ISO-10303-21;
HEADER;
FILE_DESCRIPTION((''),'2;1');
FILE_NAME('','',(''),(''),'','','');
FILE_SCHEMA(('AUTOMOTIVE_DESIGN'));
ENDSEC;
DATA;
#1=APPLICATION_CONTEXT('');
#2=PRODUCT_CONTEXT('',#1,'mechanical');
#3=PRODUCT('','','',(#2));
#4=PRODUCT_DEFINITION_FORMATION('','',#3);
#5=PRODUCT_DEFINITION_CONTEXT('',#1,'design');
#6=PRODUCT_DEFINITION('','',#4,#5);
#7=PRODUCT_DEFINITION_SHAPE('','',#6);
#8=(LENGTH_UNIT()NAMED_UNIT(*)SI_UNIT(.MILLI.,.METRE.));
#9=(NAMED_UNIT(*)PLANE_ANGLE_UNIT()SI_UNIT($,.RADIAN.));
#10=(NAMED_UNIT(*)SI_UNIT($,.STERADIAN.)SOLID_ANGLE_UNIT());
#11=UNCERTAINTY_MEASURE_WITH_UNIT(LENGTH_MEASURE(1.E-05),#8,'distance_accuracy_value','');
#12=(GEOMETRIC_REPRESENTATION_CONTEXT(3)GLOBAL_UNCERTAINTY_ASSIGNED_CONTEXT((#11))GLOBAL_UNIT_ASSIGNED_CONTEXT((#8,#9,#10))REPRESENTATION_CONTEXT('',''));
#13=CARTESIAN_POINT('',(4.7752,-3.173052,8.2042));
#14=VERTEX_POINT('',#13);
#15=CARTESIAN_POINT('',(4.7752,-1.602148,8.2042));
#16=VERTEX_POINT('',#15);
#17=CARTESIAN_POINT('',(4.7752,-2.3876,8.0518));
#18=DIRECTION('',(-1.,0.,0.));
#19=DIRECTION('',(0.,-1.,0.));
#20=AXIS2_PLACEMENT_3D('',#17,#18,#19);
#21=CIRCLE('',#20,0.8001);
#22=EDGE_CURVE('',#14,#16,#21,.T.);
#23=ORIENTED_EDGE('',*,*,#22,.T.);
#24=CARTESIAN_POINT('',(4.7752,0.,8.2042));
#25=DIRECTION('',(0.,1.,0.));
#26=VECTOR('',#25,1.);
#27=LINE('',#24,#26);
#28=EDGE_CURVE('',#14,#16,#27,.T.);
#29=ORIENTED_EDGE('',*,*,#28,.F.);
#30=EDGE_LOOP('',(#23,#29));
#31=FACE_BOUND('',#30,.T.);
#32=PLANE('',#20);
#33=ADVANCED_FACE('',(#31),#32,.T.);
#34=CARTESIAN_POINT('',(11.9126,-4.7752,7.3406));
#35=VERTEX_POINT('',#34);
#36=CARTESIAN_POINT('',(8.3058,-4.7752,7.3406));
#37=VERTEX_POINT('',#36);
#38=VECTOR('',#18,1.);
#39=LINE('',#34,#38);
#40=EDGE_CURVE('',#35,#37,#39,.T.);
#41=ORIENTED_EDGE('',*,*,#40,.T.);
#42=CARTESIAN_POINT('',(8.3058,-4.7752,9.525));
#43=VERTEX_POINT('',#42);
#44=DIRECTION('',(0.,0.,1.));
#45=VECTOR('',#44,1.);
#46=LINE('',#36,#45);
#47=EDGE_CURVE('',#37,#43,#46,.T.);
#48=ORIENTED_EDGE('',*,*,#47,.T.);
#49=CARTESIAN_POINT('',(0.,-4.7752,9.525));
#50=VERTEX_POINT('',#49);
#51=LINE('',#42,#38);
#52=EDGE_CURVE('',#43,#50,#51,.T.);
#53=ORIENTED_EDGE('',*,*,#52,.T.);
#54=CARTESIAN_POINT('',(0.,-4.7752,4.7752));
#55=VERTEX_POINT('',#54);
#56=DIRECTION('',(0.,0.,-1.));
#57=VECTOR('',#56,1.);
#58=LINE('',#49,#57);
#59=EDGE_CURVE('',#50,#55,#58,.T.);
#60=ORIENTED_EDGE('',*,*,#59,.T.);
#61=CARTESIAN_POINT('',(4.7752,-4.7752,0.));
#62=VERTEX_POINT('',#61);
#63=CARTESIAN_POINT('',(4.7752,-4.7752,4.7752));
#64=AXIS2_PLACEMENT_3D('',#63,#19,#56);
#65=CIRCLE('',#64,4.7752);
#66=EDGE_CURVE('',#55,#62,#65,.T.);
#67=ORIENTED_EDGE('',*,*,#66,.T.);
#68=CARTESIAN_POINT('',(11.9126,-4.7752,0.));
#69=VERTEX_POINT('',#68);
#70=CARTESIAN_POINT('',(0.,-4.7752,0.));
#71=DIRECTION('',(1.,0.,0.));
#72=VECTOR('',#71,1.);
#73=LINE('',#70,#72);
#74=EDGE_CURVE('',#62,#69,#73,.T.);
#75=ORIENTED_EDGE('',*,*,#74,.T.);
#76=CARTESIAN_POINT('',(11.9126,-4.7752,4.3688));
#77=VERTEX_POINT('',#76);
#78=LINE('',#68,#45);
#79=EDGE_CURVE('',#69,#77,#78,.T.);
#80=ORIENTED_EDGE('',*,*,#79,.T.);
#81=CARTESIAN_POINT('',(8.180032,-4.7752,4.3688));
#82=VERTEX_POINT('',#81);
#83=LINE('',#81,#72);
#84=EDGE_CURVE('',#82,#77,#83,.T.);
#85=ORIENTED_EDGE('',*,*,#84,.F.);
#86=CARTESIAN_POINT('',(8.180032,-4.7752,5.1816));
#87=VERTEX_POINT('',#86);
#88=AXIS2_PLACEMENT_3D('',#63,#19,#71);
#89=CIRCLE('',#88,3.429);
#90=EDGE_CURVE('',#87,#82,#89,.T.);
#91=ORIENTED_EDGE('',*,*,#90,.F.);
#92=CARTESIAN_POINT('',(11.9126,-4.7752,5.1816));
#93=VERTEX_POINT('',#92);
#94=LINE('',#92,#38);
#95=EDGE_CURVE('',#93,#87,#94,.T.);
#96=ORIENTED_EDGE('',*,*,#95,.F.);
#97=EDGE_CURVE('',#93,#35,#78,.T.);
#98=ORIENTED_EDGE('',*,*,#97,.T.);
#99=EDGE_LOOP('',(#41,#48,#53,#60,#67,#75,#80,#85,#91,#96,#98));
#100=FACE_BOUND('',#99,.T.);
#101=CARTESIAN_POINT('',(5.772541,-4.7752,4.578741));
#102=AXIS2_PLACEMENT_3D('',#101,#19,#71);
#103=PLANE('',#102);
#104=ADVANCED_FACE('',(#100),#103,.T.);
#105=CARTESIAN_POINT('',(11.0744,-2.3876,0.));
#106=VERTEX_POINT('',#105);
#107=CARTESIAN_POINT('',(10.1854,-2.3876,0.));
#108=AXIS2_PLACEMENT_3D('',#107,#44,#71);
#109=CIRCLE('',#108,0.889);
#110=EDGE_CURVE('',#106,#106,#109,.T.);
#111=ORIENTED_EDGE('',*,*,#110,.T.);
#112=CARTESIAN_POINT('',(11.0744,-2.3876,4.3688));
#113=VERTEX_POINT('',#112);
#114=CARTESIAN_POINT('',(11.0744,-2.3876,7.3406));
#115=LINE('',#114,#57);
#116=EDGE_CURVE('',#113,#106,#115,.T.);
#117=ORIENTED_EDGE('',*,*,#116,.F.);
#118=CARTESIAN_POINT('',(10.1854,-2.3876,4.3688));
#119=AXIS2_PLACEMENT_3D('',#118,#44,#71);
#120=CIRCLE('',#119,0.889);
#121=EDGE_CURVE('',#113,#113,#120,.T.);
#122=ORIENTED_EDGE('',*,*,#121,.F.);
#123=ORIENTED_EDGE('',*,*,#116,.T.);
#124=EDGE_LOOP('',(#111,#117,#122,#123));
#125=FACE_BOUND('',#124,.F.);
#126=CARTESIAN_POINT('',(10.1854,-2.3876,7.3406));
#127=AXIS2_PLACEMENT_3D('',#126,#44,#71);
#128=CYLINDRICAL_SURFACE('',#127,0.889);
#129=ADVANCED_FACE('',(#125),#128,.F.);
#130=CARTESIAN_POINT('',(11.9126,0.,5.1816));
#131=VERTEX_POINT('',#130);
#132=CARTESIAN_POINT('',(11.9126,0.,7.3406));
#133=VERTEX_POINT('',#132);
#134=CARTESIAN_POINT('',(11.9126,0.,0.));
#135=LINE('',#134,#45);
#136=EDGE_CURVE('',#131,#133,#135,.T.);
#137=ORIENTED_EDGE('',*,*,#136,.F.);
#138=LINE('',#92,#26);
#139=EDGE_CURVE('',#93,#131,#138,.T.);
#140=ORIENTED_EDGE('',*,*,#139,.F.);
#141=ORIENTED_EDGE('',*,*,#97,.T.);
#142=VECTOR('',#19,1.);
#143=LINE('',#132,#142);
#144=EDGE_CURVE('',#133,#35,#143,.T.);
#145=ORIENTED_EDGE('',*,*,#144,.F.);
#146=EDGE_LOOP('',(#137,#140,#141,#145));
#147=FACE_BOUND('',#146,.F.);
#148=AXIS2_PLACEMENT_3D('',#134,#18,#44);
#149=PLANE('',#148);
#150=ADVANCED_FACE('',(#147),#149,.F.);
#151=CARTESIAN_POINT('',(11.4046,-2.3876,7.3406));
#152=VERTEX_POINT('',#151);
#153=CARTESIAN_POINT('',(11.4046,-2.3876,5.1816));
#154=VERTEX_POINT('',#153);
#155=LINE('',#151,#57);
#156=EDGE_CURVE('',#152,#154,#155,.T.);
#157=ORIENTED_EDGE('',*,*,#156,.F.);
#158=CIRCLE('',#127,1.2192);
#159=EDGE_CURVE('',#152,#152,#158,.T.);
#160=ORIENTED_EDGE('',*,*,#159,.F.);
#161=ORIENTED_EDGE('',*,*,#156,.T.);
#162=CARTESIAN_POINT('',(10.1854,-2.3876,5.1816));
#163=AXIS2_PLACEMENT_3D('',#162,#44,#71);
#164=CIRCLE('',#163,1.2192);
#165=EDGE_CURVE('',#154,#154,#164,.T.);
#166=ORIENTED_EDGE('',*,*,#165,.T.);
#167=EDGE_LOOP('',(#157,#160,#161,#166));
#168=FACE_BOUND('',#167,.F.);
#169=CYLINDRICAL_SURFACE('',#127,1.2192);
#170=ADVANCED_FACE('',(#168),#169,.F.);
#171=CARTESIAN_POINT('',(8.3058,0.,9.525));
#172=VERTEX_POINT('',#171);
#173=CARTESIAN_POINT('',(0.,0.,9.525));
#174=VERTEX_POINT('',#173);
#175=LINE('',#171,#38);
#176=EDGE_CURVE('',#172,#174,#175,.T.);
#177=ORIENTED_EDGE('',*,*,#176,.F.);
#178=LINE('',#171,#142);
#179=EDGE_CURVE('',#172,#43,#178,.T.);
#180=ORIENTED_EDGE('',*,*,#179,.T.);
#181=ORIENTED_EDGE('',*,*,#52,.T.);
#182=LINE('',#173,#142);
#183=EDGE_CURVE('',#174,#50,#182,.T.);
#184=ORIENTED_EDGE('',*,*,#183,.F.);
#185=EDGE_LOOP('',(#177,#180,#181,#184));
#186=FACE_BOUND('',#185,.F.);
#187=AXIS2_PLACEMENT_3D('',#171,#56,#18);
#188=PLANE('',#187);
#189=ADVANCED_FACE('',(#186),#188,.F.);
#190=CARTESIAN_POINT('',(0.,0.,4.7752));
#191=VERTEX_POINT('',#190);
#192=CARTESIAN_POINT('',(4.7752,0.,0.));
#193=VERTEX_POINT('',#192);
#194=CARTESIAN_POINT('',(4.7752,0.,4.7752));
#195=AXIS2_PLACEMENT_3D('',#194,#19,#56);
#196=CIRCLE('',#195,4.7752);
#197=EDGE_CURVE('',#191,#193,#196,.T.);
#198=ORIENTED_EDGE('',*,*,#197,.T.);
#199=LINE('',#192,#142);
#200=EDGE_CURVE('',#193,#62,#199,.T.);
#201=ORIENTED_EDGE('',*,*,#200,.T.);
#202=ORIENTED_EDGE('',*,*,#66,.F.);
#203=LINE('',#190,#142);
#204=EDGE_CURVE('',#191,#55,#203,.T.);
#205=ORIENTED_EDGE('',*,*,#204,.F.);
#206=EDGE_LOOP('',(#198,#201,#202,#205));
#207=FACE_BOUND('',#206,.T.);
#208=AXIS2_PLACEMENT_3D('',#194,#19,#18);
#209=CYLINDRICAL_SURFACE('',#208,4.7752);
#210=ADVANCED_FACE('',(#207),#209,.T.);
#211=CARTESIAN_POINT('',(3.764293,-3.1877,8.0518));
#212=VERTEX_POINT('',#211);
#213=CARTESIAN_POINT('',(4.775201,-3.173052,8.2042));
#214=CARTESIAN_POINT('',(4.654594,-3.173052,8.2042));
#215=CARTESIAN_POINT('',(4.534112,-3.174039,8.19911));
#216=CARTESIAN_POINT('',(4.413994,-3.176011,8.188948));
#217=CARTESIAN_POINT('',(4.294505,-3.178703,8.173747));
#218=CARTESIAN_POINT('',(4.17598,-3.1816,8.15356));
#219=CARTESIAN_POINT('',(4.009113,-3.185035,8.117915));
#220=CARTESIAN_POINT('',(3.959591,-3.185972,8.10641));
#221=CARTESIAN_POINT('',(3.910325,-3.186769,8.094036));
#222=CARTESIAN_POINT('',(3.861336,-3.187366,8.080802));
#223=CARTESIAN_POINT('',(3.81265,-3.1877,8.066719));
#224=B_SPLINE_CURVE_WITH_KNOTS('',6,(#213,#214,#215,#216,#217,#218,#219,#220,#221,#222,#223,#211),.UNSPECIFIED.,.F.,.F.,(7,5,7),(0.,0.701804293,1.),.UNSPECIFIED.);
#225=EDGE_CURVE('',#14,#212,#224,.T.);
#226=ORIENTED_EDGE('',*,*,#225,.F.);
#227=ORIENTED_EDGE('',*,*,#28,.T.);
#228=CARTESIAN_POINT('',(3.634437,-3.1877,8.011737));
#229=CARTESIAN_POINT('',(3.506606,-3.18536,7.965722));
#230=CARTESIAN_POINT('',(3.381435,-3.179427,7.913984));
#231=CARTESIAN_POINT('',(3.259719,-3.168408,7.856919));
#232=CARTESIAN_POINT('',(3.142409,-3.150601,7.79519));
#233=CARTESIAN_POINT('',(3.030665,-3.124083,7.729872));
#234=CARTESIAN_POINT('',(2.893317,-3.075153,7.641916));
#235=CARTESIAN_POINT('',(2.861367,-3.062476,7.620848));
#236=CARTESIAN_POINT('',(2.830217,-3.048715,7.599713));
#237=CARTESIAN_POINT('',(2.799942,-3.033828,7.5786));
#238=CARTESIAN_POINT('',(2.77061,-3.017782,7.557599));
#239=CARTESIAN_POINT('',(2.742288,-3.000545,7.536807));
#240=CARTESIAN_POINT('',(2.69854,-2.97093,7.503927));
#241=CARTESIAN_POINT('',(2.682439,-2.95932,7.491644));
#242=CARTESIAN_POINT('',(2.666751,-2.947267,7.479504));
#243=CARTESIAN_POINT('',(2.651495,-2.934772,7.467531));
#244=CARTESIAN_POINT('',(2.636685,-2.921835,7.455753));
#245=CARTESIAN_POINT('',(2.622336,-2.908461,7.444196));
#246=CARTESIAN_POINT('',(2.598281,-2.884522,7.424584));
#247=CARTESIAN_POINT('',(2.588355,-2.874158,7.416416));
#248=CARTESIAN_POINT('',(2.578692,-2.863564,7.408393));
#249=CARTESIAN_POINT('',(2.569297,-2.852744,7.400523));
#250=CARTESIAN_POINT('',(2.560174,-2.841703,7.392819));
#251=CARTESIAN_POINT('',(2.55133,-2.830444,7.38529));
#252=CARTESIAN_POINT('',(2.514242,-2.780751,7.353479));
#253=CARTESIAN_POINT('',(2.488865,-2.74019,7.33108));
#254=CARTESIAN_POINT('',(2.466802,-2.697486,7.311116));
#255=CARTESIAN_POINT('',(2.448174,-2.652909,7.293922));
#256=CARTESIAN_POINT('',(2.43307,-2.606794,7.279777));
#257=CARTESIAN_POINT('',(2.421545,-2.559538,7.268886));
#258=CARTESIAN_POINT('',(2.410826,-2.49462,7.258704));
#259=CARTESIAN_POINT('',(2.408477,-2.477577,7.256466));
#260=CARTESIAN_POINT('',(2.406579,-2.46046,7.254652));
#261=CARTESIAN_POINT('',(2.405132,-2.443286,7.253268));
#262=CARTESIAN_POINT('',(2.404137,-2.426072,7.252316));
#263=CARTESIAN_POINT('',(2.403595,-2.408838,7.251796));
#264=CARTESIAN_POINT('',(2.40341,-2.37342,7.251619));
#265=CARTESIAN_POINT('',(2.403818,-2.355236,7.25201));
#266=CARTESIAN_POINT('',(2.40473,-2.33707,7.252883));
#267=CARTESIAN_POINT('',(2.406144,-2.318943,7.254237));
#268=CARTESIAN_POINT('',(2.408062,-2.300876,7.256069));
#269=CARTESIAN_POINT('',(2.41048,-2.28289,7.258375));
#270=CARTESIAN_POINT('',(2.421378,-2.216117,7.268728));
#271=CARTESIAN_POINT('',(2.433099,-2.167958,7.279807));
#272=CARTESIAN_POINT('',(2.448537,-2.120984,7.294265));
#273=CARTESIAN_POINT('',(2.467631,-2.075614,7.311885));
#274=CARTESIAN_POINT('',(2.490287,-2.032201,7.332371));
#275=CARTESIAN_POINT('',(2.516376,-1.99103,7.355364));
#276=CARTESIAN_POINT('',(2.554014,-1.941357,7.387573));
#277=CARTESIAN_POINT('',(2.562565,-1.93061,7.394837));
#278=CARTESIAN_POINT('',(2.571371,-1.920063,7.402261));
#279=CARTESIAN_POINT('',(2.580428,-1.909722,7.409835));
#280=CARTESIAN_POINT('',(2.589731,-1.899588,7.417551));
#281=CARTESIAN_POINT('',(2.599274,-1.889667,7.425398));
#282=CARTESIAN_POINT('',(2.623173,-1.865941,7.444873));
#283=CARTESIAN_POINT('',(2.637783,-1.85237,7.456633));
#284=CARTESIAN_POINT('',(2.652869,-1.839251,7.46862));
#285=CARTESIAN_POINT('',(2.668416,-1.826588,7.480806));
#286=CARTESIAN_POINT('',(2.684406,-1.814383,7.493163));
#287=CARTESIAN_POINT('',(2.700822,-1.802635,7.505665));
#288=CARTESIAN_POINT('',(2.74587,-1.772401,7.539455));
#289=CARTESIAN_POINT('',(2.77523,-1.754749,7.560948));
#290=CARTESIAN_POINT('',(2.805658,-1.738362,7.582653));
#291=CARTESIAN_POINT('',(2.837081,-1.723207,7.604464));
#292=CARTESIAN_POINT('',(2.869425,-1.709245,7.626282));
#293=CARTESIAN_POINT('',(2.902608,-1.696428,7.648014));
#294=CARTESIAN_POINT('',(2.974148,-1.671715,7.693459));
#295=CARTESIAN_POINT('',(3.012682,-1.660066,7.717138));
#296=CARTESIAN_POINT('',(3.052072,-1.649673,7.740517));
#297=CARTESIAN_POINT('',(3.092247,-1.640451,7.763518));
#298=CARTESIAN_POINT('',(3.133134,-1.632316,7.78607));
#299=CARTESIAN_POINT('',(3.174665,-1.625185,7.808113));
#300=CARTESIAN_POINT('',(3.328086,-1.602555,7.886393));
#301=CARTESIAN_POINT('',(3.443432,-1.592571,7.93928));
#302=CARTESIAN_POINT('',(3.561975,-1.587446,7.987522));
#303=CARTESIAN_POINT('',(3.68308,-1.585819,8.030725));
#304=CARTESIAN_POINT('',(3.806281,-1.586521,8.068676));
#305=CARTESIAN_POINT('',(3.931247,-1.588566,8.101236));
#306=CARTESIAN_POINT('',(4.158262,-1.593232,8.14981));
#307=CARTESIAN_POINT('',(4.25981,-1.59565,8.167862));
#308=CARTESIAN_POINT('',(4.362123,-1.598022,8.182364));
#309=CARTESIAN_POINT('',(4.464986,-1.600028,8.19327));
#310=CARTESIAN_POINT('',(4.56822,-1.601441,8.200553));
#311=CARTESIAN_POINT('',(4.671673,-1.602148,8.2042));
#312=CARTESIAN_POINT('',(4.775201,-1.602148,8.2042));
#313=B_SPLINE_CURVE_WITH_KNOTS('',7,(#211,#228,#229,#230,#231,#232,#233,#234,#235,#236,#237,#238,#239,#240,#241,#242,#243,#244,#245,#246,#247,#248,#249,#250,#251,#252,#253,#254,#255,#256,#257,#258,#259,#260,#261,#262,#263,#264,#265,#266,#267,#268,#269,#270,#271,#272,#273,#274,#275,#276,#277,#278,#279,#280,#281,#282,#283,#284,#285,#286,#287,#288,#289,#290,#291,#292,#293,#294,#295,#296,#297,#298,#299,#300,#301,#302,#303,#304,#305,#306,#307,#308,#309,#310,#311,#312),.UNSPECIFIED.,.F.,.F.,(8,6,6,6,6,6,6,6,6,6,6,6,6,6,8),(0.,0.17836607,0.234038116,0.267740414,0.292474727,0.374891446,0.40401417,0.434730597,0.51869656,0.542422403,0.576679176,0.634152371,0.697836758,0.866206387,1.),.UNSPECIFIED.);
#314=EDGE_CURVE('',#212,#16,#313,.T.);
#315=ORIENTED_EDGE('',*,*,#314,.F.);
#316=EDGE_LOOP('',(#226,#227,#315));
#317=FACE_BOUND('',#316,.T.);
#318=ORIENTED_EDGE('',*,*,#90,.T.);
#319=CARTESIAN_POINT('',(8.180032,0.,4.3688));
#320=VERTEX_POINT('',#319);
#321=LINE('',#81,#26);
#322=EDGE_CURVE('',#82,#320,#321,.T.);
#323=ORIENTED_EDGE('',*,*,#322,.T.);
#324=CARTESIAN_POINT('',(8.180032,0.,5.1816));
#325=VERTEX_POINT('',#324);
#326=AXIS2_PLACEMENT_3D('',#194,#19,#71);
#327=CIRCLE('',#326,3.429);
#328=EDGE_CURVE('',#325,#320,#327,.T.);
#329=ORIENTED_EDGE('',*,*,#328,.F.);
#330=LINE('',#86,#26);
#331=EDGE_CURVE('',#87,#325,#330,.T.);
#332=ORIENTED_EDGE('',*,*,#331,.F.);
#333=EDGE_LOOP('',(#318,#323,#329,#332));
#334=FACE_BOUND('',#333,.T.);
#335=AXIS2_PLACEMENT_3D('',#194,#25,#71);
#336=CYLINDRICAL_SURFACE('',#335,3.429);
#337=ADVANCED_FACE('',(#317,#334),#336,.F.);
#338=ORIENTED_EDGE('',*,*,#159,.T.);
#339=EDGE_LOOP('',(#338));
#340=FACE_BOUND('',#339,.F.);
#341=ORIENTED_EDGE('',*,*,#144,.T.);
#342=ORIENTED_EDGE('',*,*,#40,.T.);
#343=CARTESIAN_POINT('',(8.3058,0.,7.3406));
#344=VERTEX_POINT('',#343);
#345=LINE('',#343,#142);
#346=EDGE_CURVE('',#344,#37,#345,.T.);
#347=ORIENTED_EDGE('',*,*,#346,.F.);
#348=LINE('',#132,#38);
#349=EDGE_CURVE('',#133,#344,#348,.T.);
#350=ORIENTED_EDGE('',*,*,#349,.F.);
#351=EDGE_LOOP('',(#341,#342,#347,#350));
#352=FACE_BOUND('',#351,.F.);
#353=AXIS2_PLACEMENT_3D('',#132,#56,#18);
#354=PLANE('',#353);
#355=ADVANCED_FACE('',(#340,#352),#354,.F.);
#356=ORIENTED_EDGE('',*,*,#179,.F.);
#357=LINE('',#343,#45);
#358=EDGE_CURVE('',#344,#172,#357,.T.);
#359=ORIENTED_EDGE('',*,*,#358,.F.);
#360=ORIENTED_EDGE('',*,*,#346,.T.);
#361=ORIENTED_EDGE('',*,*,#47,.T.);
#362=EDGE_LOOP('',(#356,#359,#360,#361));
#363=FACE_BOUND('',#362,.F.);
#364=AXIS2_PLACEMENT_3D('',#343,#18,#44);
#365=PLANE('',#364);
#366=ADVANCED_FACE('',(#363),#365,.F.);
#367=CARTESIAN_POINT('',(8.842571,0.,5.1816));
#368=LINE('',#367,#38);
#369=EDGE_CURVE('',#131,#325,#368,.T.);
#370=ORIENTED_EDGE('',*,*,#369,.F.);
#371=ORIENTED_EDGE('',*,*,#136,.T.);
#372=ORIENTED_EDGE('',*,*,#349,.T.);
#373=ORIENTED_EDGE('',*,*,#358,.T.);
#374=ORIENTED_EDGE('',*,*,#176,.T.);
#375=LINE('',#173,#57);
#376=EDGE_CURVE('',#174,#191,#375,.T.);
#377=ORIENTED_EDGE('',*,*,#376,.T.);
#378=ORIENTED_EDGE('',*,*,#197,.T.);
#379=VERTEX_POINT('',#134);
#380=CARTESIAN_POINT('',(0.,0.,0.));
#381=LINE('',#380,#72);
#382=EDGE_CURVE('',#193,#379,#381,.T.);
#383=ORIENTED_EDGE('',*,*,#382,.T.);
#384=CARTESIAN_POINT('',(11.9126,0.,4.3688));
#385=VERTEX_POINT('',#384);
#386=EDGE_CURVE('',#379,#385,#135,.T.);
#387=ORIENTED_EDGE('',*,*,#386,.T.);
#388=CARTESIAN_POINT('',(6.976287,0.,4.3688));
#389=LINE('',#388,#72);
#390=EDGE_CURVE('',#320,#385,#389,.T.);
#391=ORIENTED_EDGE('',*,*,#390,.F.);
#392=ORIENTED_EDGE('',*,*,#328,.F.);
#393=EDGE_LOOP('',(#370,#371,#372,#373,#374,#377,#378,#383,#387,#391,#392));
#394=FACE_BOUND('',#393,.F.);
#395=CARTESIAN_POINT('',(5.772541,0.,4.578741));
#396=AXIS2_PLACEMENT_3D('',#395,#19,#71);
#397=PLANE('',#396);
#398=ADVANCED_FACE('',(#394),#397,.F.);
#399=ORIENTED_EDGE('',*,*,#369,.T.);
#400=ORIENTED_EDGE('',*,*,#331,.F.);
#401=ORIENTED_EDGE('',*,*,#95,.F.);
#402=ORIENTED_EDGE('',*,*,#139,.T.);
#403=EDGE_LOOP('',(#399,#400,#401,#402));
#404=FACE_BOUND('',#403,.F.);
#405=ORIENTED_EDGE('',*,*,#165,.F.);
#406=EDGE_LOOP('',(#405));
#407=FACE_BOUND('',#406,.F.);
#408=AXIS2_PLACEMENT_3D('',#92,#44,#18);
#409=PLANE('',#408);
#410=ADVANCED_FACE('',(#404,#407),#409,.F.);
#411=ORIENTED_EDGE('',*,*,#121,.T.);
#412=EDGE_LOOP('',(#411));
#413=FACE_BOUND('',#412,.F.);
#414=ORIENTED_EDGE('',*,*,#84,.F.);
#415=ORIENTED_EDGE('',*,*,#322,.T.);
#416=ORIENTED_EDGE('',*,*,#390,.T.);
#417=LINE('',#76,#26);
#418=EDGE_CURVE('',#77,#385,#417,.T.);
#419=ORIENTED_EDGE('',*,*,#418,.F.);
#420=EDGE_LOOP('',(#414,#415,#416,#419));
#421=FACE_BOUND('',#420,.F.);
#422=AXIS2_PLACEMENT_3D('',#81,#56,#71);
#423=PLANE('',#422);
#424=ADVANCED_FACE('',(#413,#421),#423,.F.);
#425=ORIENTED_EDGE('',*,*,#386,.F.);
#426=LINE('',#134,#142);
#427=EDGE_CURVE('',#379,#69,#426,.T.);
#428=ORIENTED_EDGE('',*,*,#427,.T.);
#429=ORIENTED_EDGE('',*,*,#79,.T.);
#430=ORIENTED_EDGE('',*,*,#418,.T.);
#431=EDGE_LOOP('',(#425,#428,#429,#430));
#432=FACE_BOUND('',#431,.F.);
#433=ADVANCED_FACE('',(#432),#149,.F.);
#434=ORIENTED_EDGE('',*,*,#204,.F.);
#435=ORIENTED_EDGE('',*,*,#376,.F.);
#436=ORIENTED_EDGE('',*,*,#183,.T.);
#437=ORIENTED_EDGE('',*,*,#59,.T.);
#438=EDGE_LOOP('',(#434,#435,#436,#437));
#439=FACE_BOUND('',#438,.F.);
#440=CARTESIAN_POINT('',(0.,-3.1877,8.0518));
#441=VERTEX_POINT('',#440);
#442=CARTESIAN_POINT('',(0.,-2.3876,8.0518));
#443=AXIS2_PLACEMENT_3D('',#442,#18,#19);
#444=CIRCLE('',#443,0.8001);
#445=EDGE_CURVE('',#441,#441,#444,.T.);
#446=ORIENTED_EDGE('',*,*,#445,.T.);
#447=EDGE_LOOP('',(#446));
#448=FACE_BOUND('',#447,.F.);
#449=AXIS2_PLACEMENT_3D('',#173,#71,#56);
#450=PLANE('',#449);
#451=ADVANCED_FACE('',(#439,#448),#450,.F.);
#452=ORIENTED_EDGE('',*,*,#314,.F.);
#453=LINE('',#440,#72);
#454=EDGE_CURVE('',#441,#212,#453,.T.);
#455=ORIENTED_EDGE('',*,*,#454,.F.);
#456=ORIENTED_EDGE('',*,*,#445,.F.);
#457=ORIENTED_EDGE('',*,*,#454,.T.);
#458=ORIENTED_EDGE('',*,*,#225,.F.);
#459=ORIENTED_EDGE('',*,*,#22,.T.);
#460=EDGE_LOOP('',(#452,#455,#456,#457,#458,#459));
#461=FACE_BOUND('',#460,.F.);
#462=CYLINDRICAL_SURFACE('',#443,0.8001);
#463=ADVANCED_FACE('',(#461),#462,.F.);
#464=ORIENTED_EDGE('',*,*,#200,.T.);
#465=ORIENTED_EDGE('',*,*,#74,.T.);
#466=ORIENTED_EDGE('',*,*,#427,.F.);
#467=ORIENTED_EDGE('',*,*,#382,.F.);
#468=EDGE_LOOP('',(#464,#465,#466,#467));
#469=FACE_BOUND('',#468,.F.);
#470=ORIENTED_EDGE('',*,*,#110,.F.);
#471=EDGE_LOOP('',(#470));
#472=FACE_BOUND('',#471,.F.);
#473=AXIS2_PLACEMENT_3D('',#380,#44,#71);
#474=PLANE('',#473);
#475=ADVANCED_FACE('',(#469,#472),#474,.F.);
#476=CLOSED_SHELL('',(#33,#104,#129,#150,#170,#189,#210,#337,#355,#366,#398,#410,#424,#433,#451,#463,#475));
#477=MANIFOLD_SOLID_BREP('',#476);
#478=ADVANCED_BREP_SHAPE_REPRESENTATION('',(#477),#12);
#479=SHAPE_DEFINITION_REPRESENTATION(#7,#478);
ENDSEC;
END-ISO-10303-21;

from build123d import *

# Parameters (mm, degrees)
F0_R     = 3.429
F1_DEPTH = 4.7752
F3_DEPTH = 4.7762
F4_R     = 0.889
F5_DEPTH = 7.3416
F6_R     = 1.2192
F6_R_2   = 0.889
F7_DEPTH = 2.5908
F8_R     = 0.8001
F9_DEPTH = 4.7752
F10_R    = 4.7752


with BuildPart() as f1:
    # F0 (on Front) → F1 (new body)
    with BuildSketch(Plane.XZ):
        Polygon((0, 9.525), (0, 0), (11.9126, 0), (11.9126, 7.3406), (8.3058, 7.3406), (8.3058, 9.525), align=None)
        with Locations((4.7752, 4.7752)):
            Circle(F0_R, mode=Mode.SUBTRACT)
    extrude(amount=F1_DEPTH)

    # F2 (on face) → F3 (cut, through all)
    with BuildSketch(Plane.XZ.offset(4.7752)):
        with BuildLine():
            Line((11.9126, 5.1816), (8.1800318666, 5.1816))
            ThreePointArc((8.1800318666, 5.1816), (8.1981526341, 4.9787589955), (8.2042, 4.7752))
            ThreePointArc((8.2042, 4.7752), (8.1981526341, 4.5716410045), (8.1800318666, 4.3688))
            Line((8.1800318666, 4.3688), (11.9126, 4.3688))
            Line((11.9126, 4.3688), (11.9126, 5.1816))
        make_face()
    extrude(amount=-F3_DEPTH, mode=Mode.SUBTRACT)

    # F4 (on face) → F5 (cut, through all)
    with BuildSketch(Plane.XY.offset(7.3406)):
        with Locations((10.1854, -2.3876)):
            Circle(F4_R)
    extrude(amount=-F5_DEPTH, mode=Mode.SUBTRACT)

    # F6 (on face) → F7 (cut)
    with BuildSketch(Plane.XY.offset(7.3406)):
        with Locations((10.1854, -2.3876)):
            Circle(F6_R)
        with Locations((10.1854, -2.3876)):
            Circle(F6_R_2, mode=Mode.SUBTRACT)
    extrude(amount=-F7_DEPTH, mode=Mode.SUBTRACT)

    # F8 (on face) → F9 (cut)
    with BuildSketch(Plane(origin=(0, 0, 0), x_dir=(0, -1, 0), z_dir=(-1, 0, 0))):
        with Locations((2.3876, 8.0518)):
            Circle(F8_R)
    extrude(amount=-F9_DEPTH, mode=Mode.SUBTRACT)

    # F10
    f10_edges = [f1.edges().sort_by_distance(p)[0] for p in [
        (0, -2.3876, 0),
    ]]
    fillet(f10_edges, radius=F10_R)


solid = f1.part
